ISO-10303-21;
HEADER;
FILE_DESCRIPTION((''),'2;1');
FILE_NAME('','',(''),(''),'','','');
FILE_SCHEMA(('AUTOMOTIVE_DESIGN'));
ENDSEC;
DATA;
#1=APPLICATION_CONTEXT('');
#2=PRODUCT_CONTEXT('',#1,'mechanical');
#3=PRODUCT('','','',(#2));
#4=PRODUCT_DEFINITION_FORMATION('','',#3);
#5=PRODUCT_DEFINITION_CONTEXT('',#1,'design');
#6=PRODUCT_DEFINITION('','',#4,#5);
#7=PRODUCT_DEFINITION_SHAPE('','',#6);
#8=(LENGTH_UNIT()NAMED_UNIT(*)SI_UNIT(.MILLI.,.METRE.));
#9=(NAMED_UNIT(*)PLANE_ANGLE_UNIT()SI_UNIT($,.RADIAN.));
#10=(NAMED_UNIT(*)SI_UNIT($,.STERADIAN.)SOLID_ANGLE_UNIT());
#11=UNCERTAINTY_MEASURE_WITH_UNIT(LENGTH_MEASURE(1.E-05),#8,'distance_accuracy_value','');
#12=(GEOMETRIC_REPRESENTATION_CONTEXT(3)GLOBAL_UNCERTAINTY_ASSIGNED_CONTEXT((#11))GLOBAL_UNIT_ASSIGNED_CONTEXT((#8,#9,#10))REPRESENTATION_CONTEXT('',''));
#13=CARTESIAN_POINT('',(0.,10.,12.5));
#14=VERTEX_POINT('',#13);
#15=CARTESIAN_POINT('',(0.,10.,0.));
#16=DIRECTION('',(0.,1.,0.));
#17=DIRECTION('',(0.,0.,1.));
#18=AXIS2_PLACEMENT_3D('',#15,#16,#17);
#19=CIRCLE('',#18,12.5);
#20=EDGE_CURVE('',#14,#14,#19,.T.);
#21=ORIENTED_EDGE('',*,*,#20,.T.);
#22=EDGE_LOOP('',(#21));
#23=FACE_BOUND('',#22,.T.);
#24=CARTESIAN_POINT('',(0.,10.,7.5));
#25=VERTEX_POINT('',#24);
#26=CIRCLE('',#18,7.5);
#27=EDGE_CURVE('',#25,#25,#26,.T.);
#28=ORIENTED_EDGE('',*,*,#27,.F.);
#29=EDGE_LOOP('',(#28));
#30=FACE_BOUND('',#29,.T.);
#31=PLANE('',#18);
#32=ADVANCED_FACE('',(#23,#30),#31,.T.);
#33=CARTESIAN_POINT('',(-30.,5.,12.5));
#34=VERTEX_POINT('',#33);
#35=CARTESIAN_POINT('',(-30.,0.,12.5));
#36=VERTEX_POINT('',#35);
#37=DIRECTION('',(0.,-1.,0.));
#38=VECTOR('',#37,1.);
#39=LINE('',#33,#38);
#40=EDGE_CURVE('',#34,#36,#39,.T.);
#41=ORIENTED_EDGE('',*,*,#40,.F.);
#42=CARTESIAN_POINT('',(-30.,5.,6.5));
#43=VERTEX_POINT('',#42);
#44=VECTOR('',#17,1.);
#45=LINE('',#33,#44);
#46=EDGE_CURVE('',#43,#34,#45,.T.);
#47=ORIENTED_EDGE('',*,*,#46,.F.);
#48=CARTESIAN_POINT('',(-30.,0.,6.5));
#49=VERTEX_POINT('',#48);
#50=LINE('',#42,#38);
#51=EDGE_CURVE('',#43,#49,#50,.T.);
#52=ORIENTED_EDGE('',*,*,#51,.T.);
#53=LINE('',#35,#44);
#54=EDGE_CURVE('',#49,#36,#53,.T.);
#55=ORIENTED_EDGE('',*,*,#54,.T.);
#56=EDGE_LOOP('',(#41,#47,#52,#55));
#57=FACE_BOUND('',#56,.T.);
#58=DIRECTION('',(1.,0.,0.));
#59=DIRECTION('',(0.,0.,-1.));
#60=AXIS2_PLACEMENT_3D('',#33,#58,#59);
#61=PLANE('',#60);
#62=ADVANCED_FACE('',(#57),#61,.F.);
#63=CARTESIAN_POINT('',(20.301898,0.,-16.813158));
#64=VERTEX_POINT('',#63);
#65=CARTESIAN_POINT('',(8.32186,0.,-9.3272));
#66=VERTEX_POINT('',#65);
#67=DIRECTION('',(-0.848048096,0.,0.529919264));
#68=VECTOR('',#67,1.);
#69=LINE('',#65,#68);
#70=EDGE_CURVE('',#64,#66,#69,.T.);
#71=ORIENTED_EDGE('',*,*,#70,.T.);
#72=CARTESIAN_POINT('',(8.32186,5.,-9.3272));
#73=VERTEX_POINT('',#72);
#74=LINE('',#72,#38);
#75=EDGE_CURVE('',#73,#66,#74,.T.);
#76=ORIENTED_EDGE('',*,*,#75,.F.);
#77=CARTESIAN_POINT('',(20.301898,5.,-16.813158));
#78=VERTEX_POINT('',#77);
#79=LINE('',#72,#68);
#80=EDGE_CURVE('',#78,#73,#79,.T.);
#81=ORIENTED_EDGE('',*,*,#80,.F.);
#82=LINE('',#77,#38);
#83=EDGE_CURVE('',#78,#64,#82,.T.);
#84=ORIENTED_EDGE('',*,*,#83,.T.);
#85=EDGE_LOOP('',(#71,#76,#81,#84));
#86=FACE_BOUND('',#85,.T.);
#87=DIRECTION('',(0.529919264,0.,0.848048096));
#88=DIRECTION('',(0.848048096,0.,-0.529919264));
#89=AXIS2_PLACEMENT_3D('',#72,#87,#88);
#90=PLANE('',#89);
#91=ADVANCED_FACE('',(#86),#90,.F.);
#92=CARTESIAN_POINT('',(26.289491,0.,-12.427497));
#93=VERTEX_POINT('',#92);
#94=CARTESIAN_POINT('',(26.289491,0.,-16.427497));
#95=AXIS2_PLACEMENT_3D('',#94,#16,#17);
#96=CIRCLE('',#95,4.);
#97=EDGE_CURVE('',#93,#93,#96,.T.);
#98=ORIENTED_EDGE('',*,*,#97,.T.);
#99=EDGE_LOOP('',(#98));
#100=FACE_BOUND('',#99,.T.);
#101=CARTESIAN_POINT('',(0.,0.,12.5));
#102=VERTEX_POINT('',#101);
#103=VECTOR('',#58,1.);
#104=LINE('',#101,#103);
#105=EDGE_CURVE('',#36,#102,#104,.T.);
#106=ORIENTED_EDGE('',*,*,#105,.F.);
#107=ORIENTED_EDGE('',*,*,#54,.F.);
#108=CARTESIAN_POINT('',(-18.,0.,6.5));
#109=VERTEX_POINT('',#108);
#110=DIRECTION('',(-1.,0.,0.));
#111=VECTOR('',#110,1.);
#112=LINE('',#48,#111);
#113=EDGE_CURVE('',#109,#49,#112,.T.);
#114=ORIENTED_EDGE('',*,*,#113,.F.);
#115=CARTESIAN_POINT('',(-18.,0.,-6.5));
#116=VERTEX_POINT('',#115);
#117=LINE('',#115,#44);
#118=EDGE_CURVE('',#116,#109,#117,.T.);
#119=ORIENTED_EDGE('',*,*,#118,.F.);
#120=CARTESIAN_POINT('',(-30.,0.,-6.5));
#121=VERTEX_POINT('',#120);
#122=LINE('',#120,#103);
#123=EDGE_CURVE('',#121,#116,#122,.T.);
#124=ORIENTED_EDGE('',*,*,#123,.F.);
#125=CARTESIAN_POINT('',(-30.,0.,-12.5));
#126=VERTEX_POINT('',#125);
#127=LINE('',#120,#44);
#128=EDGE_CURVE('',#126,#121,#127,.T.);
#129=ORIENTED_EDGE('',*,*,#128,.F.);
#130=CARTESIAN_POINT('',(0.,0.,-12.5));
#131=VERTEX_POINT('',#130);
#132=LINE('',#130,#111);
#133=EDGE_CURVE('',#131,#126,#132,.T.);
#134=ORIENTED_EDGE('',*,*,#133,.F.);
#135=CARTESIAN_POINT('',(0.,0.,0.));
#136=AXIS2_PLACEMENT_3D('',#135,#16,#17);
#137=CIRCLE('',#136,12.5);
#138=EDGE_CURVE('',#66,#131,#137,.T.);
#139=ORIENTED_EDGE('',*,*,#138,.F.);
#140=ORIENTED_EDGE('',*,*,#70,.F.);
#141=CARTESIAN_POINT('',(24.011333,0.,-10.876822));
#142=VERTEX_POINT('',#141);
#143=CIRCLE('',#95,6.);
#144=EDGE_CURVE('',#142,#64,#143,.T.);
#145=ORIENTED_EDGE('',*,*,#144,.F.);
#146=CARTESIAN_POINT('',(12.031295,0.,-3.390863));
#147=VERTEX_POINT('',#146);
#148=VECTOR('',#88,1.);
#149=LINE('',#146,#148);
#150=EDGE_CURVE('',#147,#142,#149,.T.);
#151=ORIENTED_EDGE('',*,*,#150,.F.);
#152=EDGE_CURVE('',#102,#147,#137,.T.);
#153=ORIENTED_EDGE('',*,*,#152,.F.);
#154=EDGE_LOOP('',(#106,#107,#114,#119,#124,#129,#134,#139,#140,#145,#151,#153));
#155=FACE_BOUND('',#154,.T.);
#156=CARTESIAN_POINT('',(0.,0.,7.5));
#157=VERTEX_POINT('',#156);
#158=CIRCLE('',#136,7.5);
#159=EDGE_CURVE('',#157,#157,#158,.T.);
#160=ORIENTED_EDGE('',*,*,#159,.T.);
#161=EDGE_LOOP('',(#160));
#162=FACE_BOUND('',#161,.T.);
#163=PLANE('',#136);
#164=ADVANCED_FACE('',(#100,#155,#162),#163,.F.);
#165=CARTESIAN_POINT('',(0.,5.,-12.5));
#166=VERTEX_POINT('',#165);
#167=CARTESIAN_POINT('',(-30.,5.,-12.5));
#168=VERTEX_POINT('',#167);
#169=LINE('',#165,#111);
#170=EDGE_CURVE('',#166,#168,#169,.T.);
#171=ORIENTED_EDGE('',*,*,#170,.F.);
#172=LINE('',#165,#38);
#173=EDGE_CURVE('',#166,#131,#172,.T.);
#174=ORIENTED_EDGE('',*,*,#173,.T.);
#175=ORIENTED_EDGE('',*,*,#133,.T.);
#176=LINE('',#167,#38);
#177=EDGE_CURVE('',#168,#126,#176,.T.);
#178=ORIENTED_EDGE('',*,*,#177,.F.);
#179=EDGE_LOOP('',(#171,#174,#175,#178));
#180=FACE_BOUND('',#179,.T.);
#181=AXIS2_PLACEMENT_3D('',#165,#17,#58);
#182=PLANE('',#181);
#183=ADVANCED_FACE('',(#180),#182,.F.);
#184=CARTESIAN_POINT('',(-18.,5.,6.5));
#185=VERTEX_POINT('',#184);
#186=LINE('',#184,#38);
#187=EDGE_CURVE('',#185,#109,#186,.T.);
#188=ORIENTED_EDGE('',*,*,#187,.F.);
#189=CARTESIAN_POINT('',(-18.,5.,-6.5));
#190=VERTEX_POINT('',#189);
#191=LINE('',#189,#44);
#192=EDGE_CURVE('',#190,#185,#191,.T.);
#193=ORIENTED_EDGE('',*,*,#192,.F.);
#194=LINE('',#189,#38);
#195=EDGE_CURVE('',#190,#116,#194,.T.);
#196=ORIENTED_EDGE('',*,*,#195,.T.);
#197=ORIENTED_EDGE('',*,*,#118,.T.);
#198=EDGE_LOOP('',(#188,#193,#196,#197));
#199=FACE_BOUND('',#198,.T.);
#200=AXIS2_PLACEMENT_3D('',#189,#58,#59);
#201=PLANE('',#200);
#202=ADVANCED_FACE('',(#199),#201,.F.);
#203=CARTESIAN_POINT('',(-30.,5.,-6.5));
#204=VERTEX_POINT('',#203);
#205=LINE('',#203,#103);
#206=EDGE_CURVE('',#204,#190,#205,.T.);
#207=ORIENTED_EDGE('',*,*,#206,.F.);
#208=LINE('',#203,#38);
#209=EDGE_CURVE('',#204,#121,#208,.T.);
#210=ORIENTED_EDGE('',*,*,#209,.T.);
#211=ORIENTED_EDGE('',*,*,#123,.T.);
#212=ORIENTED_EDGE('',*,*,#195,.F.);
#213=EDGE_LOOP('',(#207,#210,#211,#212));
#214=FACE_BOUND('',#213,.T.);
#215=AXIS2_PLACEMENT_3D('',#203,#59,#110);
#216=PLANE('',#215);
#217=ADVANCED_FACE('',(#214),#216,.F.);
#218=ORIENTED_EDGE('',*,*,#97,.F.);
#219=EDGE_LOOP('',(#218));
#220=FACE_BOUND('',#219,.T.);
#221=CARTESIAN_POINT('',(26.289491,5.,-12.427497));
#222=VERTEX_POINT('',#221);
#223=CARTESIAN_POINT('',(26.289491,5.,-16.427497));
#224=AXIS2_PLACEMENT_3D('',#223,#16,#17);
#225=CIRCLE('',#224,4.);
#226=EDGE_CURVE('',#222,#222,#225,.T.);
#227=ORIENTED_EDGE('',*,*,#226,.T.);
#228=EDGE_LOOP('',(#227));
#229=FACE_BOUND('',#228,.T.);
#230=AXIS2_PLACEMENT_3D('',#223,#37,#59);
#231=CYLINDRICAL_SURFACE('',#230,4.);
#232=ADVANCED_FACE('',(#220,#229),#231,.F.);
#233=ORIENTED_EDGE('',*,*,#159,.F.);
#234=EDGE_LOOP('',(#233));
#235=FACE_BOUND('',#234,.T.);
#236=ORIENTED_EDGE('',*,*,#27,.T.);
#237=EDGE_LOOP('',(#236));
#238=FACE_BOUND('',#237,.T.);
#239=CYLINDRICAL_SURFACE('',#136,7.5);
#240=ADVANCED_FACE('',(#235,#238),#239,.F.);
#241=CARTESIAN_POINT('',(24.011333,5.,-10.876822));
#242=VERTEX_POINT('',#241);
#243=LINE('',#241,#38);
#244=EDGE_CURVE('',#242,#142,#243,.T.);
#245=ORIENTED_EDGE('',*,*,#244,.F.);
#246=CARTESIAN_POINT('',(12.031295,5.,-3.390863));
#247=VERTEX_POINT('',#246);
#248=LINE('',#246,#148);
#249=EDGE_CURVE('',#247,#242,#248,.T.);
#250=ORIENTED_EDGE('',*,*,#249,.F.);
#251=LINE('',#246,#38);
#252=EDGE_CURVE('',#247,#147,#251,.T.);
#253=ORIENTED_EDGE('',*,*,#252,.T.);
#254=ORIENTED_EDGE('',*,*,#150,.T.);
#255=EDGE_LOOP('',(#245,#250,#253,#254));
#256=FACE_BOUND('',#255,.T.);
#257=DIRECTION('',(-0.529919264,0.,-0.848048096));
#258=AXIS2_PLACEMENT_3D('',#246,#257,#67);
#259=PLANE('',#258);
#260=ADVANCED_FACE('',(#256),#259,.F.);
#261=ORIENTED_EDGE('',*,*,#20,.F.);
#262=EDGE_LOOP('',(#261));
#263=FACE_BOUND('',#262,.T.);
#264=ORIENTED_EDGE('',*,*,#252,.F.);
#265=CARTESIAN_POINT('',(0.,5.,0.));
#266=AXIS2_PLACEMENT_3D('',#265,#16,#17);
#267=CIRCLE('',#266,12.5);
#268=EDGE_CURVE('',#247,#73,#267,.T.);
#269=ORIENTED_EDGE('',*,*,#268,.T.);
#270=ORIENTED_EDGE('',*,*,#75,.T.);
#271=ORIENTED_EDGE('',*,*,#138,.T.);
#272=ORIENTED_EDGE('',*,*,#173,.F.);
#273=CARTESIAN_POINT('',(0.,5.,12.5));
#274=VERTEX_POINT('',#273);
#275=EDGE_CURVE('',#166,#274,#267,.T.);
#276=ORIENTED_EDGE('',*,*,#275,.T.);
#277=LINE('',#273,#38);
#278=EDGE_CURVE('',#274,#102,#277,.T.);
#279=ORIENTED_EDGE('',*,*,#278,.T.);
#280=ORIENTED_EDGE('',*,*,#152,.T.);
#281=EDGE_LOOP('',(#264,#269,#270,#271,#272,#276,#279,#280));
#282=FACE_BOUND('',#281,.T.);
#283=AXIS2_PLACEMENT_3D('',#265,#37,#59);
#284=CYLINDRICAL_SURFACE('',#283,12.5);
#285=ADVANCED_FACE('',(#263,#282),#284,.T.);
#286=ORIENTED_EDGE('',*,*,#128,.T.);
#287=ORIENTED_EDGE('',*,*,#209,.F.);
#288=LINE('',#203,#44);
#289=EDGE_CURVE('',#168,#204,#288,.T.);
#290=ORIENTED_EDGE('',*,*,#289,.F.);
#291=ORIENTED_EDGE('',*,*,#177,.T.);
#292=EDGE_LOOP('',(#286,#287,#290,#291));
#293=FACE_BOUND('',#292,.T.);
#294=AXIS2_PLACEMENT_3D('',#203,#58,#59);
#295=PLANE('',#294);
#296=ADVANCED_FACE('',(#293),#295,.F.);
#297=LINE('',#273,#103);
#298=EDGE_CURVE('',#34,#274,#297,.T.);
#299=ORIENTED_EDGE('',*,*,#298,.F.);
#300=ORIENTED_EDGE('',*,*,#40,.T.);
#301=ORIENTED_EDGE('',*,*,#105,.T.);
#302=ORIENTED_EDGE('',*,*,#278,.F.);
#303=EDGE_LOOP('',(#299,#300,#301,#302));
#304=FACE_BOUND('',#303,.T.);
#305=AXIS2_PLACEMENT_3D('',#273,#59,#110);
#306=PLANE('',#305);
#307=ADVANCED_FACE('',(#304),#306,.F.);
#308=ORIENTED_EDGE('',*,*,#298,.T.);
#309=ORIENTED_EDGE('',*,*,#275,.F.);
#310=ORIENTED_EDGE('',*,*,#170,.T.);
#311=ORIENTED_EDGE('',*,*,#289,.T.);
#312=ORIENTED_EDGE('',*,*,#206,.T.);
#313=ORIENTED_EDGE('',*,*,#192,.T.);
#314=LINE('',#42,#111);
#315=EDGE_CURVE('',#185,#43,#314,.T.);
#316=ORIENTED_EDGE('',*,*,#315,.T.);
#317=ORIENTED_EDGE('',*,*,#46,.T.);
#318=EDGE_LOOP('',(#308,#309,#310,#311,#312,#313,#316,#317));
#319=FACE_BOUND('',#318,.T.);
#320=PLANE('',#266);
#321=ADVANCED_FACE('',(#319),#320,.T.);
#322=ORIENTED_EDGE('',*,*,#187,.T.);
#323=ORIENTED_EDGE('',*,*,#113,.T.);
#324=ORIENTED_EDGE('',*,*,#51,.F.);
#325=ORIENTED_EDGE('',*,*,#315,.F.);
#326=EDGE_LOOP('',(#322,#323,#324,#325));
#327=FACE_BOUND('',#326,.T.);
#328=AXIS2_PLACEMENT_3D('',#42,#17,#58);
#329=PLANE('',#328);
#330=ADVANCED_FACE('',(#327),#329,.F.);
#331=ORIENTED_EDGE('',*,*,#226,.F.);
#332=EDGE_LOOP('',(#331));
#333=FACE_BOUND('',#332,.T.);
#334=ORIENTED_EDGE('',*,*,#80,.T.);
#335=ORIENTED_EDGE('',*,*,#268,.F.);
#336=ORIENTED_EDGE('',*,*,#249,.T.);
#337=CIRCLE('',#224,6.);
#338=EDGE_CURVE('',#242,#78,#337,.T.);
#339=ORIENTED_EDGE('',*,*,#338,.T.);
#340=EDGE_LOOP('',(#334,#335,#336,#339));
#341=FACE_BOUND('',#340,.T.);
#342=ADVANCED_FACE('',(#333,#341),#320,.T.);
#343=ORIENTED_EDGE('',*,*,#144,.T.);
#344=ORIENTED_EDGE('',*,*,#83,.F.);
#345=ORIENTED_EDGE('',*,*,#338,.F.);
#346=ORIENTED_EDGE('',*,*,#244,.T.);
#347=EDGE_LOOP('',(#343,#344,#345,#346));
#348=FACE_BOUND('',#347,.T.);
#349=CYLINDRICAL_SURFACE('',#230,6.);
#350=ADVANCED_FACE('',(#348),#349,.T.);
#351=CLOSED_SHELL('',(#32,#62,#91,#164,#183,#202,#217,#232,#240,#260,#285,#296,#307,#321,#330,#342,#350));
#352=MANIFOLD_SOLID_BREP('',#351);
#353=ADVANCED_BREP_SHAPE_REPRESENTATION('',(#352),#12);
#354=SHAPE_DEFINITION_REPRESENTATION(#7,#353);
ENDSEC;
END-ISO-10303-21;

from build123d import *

# Parameters (mm, degrees)
EXTRUDE_2_DEPTH     = 5
SKETCH_4_R          = 4
CUT_EXTRUDE_1_DEPTH = 5
SKETCH_6_R          = 12.5
EXTRUDE_3_DEPTH     = 5
SKETCH_8_R          = 7.5
CUT_EXTRUDE_2_DEPTH = 5


with BuildPart() as part:
    # 草图3 → 凸台-拉伸2 (new body)
    with BuildSketch(Plane(origin=(0, 0, 0), x_dir=(1, 0, 0), z_dir=(0, 1, 0))):
        with BuildLine():
            Line((0, -12.5), (-30, -12.5))
            Line((-30, -12.5), (-30, -6.5))
            Line((-30, -6.5), (-18, -6.5))
            Line((-18, -6.5), (-18, 6.5))
            Line((-18, 6.5), (-30, 6.5))
            Line((-30, 6.5), (-30, 12.5))
            Line((-30, 12.5), (0, 12.5))
            ThreePointArc((0, 12.5), (4.453089161, 11.679897128), (8.321859729, 9.327199507))
            Line((8.321859729, 9.327199507), (20.301898362, 16.813158484))
            ThreePointArc((20.301898362, 16.813158484), (31.377779558, 19.607012777), (24.011333212, 10.876821811))
            Line((24.011333212, 10.876821811), (12.031294579, 3.390862834))
            ThreePointArc((12.031294579, 3.390862834), (9.965836278, -7.545336791), (0, -12.5))
        make_face()
    extrude(amount=EXTRUDE_2_DEPTH)

    # 草图4 → 切除-拉伸1 (cut)
    with BuildSketch(Plane(origin=(0, 0, 0), x_dir=(1, 0, 0), z_dir=(0, 1, 0))):
        with Locations(Location((26.289490981, 16.427497191, 0), (0, 0, 270))):
            Circle(SKETCH_4_R)
    extrude(amount=CUT_EXTRUDE_1_DEPTH, mode=Mode.SUBTRACT)

    # 草图6 → 凸台-拉伸3 (add)
    with BuildSketch(Plane(origin=(0, 5, 0), x_dir=(1, 0, 0), z_dir=(0, 1, 0))):
        with Locations(Location((0, 0, 0), (0, 0, 270))):
            Circle(SKETCH_6_R)
    extrude(amount=EXTRUDE_3_DEPTH)

    # 草图8 → 切除-拉伸2 (cut, symmetric)
    with BuildSketch(Plane(origin=(0, 5, 0), x_dir=(1, 0, 0), z_dir=(0, 1, 0))):
        with Locations(Location((0, 0, 0), (0, 0, 270))):
            Circle(SKETCH_8_R)
    extrude(amount=CUT_EXTRUDE_2_DEPTH, both=True, mode=Mode.SUBTRACT)


solid = part.part
